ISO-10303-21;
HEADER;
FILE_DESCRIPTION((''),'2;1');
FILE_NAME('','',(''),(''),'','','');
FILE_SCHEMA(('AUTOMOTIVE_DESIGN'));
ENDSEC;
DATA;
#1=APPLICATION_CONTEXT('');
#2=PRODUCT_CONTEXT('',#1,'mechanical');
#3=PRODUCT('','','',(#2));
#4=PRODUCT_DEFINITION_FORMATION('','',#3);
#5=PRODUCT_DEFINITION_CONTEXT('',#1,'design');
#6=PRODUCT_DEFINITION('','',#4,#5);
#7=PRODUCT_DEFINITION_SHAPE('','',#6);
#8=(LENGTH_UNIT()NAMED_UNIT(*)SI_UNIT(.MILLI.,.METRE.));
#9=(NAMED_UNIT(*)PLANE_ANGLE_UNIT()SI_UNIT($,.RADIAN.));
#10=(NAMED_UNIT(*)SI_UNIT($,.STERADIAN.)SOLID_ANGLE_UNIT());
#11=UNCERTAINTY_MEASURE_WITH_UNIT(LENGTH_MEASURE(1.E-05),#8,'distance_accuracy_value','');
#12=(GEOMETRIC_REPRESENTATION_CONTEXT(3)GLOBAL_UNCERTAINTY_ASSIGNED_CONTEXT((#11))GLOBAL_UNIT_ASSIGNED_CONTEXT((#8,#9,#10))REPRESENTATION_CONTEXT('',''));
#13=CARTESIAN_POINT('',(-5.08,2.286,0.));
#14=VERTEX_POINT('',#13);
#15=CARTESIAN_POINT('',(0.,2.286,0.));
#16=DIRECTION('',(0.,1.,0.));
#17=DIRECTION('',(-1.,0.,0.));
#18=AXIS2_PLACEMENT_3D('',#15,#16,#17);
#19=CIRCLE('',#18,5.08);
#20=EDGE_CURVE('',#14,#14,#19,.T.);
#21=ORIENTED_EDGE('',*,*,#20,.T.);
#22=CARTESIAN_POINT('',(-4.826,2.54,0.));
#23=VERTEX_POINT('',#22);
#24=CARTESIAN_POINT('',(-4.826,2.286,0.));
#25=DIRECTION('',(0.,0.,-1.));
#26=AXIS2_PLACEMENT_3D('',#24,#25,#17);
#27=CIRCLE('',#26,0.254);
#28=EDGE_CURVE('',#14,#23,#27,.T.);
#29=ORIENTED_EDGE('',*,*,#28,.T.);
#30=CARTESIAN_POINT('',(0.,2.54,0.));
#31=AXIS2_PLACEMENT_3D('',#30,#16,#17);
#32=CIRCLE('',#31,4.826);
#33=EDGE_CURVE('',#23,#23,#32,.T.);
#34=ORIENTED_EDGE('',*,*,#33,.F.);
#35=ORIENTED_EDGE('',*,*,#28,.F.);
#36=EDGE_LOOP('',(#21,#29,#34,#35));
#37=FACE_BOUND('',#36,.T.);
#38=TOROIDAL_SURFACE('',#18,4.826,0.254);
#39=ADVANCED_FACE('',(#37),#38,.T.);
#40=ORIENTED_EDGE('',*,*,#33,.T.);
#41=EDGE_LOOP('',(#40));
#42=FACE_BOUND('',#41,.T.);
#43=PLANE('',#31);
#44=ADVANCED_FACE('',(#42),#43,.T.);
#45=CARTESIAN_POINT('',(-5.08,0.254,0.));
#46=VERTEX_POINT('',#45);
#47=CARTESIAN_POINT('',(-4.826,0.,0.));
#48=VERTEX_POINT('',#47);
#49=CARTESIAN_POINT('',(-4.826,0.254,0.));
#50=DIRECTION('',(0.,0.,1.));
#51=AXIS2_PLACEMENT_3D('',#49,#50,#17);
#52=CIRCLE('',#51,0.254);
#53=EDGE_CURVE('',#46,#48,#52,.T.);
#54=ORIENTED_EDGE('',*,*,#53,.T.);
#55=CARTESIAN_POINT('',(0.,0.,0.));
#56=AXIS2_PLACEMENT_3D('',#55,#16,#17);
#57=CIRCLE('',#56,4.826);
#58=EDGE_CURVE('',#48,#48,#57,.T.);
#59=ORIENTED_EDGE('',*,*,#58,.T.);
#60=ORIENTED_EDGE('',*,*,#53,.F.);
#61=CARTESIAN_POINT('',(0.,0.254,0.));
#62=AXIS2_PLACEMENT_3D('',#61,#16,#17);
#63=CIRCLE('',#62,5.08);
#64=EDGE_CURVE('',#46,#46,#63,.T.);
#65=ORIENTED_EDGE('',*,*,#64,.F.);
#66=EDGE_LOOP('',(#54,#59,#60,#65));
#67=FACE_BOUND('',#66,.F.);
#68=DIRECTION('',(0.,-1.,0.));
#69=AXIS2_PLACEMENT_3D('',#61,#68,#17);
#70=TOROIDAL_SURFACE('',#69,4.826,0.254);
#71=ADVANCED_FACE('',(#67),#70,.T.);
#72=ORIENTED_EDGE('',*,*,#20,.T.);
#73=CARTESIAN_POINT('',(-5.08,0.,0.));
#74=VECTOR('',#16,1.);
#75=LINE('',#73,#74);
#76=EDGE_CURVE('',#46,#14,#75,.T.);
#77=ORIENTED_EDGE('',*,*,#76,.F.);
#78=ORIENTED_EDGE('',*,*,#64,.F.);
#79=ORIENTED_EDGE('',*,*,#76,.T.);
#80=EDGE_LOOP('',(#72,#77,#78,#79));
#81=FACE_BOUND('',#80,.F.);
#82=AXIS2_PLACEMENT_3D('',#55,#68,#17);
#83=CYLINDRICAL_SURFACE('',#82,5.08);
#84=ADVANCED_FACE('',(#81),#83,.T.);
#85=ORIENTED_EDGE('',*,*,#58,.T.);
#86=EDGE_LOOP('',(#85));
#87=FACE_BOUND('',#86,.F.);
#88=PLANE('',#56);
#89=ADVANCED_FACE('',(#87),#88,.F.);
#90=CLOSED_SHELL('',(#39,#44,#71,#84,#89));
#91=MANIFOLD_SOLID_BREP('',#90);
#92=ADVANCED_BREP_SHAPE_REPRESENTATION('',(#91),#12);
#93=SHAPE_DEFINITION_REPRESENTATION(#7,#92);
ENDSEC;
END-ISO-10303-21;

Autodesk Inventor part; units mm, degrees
ref_plane "YZ Plane" through (0, 0, 0) normal (1, 0, 0) x (0, 1, 0)
ref_plane "XZ Plane" through (0, 0, 0) normal (0, 1, 0) x (-1, 0, 0)
ref_plane "XY Plane" through (0, 0, 0) normal (0, 0, 1) x (1, 0, 0)
sketch "Sketch1" plane through (0, 0, 0) normal (0, 1, 0) x (-1, 0, 0)
  circle A0 centre (0, 0) radius 5.08
  dimension "d0" = 10.16
extrude "Extrusion1" add sketch "Sketch1" along normal blind 2.54
fillet "Fillet1" radius 0.254 2 edges at (5.08, 2.54, 0) (5.08, 0, 0)
properties part number "Magnet" material "Steel, Alloy"
